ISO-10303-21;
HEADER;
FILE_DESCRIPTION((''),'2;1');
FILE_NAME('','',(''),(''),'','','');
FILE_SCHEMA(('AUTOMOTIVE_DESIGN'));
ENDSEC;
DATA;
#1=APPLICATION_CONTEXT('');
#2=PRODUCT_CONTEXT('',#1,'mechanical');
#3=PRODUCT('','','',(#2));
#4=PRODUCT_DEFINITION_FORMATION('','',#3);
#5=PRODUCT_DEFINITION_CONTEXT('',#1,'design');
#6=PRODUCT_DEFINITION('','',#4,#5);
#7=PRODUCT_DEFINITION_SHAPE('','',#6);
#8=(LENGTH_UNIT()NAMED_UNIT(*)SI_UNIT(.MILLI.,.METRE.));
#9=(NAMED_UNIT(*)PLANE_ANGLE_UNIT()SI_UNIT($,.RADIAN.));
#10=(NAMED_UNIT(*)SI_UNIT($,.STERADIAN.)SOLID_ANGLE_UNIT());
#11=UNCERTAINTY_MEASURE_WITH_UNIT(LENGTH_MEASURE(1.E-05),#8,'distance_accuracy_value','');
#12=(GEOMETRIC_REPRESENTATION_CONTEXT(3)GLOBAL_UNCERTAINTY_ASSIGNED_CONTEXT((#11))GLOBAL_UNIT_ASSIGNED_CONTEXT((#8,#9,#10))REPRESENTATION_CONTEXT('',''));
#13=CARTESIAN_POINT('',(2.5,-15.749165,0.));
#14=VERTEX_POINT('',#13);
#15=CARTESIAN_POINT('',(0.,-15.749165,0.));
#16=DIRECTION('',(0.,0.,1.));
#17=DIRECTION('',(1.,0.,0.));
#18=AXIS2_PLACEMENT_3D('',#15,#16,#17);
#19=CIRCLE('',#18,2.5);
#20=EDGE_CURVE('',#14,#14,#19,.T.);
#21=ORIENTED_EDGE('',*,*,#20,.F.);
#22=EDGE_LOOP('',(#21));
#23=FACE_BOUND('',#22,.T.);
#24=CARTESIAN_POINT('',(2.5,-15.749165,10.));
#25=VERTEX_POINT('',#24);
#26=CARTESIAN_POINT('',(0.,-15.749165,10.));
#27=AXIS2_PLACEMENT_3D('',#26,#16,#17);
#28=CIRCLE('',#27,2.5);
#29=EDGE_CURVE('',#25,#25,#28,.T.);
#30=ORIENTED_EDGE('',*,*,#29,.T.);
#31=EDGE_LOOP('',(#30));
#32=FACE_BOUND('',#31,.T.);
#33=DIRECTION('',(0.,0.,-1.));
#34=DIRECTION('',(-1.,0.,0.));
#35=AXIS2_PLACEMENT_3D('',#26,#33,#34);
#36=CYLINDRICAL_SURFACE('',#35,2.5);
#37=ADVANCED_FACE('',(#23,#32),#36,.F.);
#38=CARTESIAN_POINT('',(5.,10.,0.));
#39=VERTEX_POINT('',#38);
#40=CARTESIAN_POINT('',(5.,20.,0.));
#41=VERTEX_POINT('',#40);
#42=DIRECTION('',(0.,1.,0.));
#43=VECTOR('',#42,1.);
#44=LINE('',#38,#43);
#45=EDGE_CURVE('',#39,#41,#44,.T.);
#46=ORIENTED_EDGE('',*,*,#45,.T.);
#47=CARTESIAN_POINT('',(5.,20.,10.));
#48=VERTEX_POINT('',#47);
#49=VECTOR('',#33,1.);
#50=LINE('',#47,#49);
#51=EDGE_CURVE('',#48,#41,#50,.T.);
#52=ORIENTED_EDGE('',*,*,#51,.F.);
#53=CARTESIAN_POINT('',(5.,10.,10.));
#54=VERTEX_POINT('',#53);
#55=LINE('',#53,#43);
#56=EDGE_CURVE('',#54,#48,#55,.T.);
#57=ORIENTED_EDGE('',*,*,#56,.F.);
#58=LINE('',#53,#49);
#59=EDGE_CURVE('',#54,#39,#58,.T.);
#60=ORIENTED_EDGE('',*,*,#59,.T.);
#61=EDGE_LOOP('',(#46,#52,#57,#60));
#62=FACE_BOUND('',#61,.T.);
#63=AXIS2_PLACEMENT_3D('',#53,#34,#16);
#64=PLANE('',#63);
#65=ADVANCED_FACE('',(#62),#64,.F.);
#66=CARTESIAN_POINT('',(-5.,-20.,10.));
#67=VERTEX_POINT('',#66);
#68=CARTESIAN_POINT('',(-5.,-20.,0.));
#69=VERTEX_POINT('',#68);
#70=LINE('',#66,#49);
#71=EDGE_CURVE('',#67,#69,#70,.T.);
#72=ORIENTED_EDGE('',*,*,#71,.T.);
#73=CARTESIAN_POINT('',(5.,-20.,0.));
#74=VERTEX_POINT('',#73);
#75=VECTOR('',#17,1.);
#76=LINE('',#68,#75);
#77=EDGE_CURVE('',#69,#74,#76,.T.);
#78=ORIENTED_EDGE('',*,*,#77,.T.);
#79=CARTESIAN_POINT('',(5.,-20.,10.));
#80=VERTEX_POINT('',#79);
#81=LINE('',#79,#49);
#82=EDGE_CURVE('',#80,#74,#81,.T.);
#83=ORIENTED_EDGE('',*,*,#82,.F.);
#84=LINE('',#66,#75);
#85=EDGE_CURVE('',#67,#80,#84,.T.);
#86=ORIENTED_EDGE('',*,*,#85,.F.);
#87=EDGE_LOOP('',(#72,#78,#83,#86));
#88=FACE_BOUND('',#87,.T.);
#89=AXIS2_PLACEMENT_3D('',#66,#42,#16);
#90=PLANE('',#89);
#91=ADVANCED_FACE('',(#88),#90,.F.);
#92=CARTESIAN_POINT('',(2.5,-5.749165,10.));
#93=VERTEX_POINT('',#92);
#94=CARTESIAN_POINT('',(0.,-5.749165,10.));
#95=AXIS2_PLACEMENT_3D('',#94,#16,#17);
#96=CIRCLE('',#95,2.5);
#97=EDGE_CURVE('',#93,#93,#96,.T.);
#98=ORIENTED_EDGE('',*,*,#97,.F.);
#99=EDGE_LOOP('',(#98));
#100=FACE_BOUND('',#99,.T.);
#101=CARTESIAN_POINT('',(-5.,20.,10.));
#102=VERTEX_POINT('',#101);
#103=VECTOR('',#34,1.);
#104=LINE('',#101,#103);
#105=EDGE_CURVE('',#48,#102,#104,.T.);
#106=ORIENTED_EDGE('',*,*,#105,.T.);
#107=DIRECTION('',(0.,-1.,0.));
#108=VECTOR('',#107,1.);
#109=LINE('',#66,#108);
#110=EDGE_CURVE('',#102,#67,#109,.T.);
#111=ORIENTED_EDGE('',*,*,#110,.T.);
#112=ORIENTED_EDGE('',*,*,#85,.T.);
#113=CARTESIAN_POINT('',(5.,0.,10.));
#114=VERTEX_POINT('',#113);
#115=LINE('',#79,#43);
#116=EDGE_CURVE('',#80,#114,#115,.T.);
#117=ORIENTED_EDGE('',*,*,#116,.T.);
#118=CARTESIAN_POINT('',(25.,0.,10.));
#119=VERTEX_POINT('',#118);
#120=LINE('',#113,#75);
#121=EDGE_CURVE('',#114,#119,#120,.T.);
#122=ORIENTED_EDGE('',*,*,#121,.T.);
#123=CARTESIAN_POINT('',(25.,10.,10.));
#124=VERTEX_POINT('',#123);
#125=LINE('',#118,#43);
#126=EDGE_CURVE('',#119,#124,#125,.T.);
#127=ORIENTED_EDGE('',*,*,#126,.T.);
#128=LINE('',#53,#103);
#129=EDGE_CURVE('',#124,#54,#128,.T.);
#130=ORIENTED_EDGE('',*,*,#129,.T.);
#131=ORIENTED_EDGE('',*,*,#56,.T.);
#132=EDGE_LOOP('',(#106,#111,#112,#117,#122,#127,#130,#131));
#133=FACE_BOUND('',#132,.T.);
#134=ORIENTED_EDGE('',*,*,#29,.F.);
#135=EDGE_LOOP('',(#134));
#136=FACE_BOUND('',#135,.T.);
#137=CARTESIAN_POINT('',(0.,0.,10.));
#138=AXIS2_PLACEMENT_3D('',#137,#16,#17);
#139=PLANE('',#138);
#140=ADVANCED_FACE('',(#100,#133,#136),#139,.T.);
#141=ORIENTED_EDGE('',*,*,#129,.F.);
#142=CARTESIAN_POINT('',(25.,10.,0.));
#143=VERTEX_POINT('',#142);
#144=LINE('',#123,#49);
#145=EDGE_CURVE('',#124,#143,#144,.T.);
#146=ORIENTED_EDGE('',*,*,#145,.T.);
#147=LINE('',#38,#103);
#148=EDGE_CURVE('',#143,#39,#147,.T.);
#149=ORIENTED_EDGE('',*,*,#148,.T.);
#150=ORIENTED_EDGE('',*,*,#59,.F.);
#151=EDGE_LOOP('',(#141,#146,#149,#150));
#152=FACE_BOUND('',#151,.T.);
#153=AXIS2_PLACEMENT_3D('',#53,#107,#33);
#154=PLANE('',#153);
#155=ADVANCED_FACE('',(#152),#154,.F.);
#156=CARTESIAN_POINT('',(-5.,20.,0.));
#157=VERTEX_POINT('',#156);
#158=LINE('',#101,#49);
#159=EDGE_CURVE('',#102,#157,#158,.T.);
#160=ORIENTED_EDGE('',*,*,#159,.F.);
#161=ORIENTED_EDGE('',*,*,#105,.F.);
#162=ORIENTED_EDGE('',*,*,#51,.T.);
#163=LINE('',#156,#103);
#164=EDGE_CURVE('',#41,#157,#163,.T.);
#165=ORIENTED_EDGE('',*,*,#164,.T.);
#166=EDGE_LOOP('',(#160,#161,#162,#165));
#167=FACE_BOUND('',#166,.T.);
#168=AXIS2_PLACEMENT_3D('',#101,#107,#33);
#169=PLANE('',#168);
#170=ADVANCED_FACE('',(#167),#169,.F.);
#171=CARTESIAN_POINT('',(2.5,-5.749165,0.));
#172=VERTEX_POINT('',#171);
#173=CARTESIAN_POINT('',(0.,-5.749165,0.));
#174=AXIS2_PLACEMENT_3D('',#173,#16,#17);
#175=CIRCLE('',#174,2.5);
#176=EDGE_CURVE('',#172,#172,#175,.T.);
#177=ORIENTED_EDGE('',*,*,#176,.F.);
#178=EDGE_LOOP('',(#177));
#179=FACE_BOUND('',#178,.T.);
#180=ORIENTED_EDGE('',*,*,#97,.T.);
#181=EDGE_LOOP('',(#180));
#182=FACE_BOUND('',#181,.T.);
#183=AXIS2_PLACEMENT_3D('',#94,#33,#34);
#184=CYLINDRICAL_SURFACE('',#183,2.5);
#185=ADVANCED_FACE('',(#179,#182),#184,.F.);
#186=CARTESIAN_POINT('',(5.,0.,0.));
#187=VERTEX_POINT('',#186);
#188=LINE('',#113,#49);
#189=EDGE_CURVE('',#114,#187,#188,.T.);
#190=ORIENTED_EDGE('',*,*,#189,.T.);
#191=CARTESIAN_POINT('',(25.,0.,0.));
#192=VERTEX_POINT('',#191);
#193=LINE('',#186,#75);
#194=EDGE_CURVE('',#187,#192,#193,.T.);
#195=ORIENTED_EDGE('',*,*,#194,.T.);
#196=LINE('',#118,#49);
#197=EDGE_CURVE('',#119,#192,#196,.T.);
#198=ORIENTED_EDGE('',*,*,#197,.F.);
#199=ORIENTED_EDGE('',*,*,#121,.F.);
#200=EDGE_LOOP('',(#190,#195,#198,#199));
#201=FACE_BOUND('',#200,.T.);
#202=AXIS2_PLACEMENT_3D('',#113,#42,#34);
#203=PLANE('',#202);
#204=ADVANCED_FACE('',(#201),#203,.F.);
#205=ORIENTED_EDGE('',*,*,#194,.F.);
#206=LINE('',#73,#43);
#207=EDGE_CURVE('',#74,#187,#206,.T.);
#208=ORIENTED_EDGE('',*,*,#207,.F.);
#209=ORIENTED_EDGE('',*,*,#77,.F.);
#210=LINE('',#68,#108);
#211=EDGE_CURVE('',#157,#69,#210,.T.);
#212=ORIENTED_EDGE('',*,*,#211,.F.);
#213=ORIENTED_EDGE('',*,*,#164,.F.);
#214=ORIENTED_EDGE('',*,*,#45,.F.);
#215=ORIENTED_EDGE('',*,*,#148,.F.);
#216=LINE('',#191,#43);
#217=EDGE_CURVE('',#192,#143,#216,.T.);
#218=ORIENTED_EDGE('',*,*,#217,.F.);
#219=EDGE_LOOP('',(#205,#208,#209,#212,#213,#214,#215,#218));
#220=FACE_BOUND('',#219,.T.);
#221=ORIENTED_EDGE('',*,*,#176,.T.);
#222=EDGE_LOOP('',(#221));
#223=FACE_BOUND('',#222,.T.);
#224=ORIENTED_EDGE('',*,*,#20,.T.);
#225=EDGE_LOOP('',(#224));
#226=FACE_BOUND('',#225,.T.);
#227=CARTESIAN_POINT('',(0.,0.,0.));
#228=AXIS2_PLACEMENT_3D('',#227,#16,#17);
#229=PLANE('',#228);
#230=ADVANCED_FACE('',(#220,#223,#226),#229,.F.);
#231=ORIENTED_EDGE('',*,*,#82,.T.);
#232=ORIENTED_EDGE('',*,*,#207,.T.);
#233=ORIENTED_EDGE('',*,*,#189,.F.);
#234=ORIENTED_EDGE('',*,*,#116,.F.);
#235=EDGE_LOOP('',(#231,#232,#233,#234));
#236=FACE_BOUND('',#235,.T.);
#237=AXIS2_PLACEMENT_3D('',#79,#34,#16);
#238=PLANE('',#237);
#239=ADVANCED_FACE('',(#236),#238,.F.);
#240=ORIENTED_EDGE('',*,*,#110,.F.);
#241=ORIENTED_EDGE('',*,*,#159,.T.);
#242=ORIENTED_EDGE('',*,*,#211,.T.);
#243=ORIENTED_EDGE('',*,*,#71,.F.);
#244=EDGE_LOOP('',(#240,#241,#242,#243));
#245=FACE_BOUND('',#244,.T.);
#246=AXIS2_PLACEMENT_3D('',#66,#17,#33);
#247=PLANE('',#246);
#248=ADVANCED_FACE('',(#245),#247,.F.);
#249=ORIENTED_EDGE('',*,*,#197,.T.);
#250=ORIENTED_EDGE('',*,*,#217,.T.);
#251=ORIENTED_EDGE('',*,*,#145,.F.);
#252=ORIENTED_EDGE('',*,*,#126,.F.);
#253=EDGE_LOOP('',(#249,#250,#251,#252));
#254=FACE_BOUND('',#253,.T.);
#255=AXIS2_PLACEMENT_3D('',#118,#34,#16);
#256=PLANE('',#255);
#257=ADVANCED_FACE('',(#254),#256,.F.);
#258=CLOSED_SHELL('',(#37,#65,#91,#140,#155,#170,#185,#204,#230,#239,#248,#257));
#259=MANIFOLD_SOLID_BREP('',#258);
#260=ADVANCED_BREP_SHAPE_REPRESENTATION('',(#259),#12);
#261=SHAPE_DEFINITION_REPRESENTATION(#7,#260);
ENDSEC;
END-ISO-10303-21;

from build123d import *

# Parameters (mm, degrees)
ESQUISSE1_R        = 2.5
BOSS_EXTRU_1_DEPTH = 10


with BuildPart() as part:
    # Esquisse1 → Boss.-Extru.1 (new body)
    with BuildSketch(Plane.XY):
        Polygon((5, 10), (5, 20), (-5, 20), (-5, -20), (5, -20), (5, 0), (25, 0), (25, 10), align=None)
        with Locations((0, -5.749164875)):
            Circle(ESQUISSE1_R, mode=Mode.SUBTRACT)
        with Locations((0, -15.749164875)):
            Circle(ESQUISSE1_R, mode=Mode.SUBTRACT)
    extrude(amount=BOSS_EXTRU_1_DEPTH)


solid = part.part
